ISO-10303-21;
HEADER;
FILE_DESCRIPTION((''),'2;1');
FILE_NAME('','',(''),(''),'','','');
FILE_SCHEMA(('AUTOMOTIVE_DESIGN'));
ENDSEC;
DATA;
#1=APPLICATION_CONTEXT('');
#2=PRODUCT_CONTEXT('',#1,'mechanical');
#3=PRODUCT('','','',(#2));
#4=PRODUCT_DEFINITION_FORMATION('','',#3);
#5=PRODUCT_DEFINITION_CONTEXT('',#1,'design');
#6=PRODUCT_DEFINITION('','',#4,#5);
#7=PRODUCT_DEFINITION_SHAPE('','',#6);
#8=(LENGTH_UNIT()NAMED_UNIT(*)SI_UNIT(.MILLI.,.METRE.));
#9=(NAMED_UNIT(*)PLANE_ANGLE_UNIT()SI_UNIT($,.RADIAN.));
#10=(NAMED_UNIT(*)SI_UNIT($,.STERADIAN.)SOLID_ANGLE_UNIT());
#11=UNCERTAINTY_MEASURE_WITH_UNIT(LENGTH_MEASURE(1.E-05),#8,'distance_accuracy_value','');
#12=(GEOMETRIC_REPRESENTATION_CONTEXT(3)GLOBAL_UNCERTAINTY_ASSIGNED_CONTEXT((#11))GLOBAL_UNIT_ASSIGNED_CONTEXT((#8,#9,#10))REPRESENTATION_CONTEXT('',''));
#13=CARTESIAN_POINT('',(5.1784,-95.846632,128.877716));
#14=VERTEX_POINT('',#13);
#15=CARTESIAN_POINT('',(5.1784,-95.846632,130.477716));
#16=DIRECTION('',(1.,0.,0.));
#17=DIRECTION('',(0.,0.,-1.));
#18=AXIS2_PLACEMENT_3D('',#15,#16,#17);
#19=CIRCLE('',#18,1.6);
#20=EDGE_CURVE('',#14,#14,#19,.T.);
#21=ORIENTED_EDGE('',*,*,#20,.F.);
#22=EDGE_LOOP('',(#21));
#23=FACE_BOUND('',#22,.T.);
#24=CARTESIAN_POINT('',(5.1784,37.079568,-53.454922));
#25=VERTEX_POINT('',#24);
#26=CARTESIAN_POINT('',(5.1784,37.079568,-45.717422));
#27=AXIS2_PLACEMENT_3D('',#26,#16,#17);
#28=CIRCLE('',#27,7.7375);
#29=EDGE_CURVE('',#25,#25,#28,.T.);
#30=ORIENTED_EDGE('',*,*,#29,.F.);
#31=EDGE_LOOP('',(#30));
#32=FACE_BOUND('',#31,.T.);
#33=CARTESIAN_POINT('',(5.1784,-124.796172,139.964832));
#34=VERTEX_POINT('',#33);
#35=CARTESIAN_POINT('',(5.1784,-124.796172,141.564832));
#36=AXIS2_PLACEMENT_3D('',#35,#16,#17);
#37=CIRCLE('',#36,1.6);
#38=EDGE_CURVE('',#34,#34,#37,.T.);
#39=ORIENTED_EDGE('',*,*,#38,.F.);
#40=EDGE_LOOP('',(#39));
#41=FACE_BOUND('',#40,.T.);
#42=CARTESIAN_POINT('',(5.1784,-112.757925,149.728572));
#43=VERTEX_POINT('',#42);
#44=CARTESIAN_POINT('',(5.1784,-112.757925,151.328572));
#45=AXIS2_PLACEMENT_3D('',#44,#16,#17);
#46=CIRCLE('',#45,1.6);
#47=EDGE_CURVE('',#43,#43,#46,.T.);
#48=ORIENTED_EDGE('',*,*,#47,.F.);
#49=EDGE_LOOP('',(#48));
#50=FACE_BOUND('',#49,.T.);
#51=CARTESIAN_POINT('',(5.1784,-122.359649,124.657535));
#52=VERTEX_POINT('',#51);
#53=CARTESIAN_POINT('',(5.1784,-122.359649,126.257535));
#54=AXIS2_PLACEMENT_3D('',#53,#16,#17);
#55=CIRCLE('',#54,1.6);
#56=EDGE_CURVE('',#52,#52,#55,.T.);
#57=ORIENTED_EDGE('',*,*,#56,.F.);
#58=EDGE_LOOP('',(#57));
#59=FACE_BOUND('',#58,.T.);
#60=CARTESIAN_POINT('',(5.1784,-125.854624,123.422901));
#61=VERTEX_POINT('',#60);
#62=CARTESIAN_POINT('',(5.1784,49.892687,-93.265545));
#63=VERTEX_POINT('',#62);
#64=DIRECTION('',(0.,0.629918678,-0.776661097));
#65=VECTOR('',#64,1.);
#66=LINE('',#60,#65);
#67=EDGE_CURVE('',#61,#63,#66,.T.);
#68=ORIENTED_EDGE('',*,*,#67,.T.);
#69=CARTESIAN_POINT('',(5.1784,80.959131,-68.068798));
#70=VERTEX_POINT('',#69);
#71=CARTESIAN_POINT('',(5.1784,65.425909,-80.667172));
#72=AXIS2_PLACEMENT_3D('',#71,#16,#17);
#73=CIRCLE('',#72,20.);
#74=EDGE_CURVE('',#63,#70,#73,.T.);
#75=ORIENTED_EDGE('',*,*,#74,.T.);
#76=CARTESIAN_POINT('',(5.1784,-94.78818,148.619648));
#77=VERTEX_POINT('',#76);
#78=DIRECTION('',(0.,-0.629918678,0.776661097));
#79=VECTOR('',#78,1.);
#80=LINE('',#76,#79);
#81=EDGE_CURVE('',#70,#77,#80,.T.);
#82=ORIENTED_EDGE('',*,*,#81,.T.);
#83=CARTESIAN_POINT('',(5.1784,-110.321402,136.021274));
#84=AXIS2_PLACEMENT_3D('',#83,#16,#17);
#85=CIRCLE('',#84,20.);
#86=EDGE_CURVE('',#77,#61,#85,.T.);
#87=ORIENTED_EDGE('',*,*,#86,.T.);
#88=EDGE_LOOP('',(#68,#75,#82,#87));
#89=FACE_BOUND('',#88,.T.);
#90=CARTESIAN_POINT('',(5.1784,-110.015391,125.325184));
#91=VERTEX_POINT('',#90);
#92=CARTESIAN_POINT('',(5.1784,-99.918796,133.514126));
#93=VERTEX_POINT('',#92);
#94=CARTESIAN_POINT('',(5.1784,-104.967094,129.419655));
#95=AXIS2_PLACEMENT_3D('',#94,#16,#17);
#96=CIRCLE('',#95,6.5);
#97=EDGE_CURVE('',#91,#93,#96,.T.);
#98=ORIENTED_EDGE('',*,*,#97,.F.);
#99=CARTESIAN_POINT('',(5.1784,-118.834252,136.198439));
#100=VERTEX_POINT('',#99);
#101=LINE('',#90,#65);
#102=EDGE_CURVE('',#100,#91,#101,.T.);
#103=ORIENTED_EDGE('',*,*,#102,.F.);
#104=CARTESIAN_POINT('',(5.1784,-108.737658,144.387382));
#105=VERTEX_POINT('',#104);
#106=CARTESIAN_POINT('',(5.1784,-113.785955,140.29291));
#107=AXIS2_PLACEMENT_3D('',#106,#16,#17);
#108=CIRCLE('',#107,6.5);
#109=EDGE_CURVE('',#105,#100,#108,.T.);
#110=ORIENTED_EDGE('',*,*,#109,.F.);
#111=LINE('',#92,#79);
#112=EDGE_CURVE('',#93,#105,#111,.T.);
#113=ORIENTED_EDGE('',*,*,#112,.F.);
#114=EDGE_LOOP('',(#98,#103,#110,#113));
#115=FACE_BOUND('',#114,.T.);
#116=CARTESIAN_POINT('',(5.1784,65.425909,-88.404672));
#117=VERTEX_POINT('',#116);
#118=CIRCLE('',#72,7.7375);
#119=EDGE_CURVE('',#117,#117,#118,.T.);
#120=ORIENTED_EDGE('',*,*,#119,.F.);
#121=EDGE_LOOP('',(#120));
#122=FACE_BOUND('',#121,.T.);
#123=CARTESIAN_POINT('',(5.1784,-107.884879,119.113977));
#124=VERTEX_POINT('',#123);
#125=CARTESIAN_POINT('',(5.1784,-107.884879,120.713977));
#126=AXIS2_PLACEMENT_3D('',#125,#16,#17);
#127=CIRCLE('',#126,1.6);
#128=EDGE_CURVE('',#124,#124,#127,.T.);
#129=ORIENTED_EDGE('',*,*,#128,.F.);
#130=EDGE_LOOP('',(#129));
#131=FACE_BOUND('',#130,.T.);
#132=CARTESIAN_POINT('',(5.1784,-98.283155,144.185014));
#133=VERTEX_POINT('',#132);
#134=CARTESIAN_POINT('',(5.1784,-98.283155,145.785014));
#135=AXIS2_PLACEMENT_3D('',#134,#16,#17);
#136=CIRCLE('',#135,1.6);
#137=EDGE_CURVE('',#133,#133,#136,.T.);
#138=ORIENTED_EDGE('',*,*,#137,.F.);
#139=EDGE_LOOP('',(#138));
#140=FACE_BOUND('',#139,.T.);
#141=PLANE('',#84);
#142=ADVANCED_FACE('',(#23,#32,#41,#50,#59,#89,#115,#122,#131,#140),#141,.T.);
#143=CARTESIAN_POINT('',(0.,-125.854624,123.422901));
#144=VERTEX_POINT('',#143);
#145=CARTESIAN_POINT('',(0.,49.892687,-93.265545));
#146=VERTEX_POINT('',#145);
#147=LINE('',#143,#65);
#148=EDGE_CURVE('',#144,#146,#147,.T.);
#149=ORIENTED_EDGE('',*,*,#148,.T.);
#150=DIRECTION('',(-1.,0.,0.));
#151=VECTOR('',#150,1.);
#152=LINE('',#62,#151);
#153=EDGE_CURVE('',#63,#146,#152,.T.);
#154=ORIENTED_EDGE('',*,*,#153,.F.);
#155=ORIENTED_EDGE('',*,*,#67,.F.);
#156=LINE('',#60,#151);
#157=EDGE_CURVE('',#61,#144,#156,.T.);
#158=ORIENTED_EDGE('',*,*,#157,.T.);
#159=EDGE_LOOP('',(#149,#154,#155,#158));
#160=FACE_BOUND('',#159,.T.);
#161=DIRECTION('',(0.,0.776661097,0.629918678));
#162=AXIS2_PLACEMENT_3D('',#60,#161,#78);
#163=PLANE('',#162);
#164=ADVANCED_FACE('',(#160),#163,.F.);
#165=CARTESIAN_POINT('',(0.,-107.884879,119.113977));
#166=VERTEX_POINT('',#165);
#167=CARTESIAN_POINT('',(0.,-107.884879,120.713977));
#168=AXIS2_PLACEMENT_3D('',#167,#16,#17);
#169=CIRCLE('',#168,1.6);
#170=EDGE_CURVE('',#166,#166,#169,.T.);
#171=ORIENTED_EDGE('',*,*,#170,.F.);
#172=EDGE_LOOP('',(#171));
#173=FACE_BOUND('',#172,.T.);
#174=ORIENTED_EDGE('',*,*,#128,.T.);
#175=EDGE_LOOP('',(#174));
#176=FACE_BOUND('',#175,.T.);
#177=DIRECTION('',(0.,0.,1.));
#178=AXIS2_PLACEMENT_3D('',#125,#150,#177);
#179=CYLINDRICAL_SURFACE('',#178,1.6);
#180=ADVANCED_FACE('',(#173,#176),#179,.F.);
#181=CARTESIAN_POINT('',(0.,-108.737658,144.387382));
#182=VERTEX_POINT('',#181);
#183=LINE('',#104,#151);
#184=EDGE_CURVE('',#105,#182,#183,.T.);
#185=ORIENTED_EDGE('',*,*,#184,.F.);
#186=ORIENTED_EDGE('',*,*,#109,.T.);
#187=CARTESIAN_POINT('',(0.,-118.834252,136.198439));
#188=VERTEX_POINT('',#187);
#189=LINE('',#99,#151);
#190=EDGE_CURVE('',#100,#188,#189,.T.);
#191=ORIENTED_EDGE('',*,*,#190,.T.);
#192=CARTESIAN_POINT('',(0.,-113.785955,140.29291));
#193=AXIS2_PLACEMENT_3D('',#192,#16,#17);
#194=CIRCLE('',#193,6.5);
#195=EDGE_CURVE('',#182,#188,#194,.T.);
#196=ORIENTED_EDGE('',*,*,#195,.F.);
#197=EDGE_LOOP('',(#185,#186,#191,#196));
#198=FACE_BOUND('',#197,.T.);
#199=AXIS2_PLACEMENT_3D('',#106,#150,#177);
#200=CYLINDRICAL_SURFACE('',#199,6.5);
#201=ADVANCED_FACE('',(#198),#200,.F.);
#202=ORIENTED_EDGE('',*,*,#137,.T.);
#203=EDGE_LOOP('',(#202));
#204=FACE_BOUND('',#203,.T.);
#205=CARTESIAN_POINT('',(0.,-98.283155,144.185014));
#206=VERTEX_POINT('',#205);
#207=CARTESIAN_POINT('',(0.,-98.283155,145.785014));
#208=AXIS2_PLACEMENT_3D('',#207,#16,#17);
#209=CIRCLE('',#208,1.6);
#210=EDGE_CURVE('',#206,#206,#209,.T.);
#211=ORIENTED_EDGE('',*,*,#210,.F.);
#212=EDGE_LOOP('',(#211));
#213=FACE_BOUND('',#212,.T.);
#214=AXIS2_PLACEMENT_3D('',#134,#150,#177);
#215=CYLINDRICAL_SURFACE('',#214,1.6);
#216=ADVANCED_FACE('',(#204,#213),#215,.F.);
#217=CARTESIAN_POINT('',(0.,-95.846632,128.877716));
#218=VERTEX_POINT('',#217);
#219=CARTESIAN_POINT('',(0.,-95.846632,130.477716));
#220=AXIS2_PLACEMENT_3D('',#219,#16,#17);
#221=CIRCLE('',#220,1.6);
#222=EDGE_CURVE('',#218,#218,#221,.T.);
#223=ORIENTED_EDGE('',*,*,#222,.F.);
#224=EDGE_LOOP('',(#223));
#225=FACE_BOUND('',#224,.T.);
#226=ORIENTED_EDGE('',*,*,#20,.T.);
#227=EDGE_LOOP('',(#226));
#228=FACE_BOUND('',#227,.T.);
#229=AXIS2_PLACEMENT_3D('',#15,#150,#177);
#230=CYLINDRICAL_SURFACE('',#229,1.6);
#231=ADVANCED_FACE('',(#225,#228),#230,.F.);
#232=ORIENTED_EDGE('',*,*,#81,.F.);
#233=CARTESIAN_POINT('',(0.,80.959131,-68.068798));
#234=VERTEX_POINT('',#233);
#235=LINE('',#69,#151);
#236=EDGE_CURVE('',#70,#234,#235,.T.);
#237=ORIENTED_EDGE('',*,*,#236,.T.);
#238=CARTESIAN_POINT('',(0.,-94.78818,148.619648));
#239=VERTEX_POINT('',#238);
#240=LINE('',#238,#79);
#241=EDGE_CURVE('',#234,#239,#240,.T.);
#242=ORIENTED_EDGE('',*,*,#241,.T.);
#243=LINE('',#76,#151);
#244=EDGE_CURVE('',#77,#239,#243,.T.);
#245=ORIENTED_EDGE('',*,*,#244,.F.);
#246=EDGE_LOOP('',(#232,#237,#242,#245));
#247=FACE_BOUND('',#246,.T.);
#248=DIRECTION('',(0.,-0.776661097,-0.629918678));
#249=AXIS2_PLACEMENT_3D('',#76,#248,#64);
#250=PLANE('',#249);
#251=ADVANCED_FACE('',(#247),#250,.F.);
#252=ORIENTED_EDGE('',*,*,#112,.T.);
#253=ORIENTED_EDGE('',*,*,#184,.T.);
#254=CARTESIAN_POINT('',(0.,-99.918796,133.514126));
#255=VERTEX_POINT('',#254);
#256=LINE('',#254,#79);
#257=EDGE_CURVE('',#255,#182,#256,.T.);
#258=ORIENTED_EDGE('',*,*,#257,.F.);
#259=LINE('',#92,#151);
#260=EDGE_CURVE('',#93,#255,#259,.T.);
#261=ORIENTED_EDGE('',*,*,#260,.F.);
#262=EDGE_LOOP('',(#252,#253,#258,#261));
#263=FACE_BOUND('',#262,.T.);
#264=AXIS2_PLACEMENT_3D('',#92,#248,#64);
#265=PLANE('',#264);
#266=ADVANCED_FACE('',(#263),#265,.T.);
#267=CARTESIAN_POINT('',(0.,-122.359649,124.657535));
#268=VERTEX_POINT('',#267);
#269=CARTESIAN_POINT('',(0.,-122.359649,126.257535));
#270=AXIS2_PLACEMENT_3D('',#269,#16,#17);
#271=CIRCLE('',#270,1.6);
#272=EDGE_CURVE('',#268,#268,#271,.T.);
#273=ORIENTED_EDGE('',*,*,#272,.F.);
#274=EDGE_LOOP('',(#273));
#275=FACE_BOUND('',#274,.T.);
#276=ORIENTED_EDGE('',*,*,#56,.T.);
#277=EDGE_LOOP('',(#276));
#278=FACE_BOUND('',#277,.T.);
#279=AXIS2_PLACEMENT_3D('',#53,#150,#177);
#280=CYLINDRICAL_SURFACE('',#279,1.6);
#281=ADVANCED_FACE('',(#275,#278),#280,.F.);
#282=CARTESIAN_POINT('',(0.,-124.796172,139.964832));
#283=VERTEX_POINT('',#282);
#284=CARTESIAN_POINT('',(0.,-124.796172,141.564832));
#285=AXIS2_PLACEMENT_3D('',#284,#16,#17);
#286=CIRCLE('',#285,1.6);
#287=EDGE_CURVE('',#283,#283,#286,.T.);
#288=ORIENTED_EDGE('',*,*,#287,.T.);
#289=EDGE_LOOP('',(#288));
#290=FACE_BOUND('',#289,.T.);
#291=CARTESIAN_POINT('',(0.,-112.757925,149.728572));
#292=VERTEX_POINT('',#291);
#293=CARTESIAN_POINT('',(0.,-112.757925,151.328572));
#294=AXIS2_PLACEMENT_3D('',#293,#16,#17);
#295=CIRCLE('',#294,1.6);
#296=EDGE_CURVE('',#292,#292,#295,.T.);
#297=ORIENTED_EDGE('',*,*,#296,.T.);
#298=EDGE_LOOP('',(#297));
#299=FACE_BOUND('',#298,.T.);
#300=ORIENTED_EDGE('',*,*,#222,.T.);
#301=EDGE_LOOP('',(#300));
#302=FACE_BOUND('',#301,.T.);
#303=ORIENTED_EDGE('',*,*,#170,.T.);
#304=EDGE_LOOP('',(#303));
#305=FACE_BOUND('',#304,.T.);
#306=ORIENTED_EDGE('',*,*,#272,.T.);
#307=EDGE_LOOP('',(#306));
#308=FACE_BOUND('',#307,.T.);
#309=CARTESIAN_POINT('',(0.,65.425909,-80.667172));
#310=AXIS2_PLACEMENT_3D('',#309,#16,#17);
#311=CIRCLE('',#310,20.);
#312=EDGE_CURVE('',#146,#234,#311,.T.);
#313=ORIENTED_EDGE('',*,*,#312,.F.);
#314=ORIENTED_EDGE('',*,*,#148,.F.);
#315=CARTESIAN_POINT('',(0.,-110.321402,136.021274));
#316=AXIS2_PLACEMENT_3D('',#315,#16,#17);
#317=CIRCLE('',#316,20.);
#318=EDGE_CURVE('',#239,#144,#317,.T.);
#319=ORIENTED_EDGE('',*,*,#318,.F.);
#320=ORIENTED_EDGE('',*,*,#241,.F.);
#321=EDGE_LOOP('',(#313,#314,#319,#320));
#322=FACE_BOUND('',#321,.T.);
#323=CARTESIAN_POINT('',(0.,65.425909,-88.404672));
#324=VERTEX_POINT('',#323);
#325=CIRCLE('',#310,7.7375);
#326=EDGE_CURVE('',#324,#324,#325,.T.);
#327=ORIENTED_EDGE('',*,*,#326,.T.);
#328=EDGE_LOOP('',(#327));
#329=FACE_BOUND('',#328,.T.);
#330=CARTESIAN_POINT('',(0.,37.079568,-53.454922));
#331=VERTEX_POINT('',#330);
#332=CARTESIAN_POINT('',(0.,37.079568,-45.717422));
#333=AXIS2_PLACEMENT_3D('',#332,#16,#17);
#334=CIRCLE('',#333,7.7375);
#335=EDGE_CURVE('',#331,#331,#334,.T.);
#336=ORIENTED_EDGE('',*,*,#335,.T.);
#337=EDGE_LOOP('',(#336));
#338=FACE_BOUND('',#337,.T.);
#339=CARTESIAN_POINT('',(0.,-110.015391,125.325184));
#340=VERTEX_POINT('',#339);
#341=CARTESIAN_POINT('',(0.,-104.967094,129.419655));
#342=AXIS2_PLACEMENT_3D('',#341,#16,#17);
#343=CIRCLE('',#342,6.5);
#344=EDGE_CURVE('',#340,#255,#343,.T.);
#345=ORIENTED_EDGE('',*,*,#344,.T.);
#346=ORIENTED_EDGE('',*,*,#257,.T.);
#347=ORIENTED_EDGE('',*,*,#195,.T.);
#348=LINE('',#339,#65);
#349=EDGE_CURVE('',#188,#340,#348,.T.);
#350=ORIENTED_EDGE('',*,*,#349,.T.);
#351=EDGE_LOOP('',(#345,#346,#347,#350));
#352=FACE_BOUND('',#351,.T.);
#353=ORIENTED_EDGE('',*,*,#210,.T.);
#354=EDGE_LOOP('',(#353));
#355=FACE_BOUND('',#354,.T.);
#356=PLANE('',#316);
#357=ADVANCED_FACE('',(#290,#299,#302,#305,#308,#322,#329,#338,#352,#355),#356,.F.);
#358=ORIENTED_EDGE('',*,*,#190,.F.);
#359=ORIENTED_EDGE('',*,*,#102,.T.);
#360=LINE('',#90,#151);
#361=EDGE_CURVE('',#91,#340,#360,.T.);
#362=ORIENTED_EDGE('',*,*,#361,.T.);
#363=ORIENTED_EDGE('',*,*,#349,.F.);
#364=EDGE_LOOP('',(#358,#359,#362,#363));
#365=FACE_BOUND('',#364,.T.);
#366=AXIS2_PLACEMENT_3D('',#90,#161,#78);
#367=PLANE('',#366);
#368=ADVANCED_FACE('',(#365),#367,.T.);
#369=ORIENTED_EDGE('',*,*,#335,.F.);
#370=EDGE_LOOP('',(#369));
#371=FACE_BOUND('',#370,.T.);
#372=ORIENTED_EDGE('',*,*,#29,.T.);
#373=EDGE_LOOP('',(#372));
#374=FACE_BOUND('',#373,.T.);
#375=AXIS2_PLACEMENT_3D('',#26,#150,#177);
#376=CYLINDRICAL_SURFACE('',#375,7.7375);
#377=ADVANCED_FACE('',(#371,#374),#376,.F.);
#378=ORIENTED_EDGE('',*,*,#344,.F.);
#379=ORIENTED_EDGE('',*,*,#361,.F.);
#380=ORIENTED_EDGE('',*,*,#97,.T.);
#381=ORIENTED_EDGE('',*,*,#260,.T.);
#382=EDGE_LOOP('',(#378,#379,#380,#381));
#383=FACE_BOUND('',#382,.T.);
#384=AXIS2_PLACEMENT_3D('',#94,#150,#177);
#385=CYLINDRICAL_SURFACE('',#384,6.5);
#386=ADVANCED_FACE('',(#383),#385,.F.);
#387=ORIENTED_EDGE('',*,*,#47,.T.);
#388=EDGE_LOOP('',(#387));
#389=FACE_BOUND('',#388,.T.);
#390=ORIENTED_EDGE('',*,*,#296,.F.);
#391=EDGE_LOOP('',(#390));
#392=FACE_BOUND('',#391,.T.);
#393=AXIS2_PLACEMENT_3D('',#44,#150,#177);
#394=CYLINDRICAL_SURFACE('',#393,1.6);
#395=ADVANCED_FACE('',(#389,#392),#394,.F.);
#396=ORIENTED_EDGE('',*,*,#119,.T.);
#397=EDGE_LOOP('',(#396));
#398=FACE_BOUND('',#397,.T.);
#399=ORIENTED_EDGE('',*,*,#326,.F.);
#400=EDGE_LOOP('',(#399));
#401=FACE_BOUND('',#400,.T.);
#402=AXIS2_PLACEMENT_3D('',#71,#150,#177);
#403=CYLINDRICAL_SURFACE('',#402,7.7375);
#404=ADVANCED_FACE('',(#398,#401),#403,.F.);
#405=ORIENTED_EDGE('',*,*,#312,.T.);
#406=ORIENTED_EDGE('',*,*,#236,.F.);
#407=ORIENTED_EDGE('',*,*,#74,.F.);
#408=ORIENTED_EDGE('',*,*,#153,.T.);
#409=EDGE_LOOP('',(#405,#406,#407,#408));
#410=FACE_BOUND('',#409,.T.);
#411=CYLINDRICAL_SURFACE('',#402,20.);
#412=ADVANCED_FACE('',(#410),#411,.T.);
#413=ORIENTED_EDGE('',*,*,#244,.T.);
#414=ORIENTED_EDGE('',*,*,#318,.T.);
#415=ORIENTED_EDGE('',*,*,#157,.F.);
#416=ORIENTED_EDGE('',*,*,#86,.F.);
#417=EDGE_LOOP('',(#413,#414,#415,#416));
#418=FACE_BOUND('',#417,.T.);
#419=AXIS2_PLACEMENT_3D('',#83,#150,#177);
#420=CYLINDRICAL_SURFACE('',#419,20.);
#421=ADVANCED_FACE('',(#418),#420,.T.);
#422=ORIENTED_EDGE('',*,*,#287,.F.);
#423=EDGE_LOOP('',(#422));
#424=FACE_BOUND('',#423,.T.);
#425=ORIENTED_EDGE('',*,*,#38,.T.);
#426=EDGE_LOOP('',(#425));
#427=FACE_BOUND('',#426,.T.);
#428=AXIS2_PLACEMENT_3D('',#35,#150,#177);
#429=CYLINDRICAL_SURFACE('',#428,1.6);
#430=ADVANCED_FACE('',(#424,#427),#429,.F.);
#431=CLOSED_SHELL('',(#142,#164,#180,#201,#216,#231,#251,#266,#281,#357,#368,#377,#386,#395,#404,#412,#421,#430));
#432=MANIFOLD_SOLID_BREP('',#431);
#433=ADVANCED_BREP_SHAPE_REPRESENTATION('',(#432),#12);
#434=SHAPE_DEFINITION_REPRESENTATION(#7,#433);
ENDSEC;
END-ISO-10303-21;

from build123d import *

# Parameters (mm, degrees)
SKETCH1_R           = 7.7375
SKETCH1_R_2         = 1.6
BOSS_EXTRUDE1_DEPTH = 5.1784


with BuildPart() as part:
    # Sketch1 → Boss-Extrude1 (new body)
    with BuildSketch(Plane(origin=(0, 0, 0), x_dir=(0, 0, -1), z_dir=(1, 0, 0))):
        with BuildLine():
            Line((-148.619647966, -94.78818035), (68.068798078, 80.959130728))
            ThreePointArc((68.068798078, 80.959130728), (96.200393571, 78.024282343), (93.265545186, 49.89268685))
            Line((93.265545186, 49.89268685), (-123.422900858, -125.854624227))
            ThreePointArc((-123.422900858, -125.854624227), (-151.554496351, -122.919775842), (-148.619647966, -94.78818035))
        make_face()
        with Locations((80.667171632, 65.425908789)):
            Circle(SKETCH1_R, mode=Mode.SUBTRACT)
        with Locations((45.71742227, 37.079568293)):
            Circle(SKETCH1_R, mode=Mode.SUBTRACT)
        with Locations((-141.564832381, -124.796172236)):
            Circle(SKETCH1_R_2, mode=Mode.SUBTRACT)
        with Locations((-151.328571886, -112.757925234)):
            Circle(SKETCH1_R_2, mode=Mode.SUBTRACT)
        with Locations((-145.785013917, -98.283155286)):
            Circle(SKETCH1_R_2, mode=Mode.SUBTRACT)
        with Locations((-130.477716443, -95.84663234)):
            Circle(SKETCH1_R_2, mode=Mode.SUBTRACT)
        with Locations((-120.713976939, -107.884879343)):
            Circle(SKETCH1_R_2, mode=Mode.SUBTRACT)
        with Locations((-126.257534908, -122.359649291)):
            Circle(SKETCH1_R_2, mode=Mode.SUBTRACT)
        with BuildLine():
            Line((-125.325183683, -110.015390658), (-136.19843904, -118.834252146))
            ThreePointArc((-136.19843904, -118.834252146), (-145.341207576, -117.880426421), (-144.387381851, -108.737657886))
            Line((-144.387381851, -108.737657886), (-133.514126493, -99.918796398))
            ThreePointArc((-133.514126493, -99.918796398), (-124.371357958, -100.872622123), (-125.325183683, -110.015390658))
        make_face(mode=Mode.SUBTRACT)
    extrude(amount=BOSS_EXTRUDE1_DEPTH)


solid = part.part
